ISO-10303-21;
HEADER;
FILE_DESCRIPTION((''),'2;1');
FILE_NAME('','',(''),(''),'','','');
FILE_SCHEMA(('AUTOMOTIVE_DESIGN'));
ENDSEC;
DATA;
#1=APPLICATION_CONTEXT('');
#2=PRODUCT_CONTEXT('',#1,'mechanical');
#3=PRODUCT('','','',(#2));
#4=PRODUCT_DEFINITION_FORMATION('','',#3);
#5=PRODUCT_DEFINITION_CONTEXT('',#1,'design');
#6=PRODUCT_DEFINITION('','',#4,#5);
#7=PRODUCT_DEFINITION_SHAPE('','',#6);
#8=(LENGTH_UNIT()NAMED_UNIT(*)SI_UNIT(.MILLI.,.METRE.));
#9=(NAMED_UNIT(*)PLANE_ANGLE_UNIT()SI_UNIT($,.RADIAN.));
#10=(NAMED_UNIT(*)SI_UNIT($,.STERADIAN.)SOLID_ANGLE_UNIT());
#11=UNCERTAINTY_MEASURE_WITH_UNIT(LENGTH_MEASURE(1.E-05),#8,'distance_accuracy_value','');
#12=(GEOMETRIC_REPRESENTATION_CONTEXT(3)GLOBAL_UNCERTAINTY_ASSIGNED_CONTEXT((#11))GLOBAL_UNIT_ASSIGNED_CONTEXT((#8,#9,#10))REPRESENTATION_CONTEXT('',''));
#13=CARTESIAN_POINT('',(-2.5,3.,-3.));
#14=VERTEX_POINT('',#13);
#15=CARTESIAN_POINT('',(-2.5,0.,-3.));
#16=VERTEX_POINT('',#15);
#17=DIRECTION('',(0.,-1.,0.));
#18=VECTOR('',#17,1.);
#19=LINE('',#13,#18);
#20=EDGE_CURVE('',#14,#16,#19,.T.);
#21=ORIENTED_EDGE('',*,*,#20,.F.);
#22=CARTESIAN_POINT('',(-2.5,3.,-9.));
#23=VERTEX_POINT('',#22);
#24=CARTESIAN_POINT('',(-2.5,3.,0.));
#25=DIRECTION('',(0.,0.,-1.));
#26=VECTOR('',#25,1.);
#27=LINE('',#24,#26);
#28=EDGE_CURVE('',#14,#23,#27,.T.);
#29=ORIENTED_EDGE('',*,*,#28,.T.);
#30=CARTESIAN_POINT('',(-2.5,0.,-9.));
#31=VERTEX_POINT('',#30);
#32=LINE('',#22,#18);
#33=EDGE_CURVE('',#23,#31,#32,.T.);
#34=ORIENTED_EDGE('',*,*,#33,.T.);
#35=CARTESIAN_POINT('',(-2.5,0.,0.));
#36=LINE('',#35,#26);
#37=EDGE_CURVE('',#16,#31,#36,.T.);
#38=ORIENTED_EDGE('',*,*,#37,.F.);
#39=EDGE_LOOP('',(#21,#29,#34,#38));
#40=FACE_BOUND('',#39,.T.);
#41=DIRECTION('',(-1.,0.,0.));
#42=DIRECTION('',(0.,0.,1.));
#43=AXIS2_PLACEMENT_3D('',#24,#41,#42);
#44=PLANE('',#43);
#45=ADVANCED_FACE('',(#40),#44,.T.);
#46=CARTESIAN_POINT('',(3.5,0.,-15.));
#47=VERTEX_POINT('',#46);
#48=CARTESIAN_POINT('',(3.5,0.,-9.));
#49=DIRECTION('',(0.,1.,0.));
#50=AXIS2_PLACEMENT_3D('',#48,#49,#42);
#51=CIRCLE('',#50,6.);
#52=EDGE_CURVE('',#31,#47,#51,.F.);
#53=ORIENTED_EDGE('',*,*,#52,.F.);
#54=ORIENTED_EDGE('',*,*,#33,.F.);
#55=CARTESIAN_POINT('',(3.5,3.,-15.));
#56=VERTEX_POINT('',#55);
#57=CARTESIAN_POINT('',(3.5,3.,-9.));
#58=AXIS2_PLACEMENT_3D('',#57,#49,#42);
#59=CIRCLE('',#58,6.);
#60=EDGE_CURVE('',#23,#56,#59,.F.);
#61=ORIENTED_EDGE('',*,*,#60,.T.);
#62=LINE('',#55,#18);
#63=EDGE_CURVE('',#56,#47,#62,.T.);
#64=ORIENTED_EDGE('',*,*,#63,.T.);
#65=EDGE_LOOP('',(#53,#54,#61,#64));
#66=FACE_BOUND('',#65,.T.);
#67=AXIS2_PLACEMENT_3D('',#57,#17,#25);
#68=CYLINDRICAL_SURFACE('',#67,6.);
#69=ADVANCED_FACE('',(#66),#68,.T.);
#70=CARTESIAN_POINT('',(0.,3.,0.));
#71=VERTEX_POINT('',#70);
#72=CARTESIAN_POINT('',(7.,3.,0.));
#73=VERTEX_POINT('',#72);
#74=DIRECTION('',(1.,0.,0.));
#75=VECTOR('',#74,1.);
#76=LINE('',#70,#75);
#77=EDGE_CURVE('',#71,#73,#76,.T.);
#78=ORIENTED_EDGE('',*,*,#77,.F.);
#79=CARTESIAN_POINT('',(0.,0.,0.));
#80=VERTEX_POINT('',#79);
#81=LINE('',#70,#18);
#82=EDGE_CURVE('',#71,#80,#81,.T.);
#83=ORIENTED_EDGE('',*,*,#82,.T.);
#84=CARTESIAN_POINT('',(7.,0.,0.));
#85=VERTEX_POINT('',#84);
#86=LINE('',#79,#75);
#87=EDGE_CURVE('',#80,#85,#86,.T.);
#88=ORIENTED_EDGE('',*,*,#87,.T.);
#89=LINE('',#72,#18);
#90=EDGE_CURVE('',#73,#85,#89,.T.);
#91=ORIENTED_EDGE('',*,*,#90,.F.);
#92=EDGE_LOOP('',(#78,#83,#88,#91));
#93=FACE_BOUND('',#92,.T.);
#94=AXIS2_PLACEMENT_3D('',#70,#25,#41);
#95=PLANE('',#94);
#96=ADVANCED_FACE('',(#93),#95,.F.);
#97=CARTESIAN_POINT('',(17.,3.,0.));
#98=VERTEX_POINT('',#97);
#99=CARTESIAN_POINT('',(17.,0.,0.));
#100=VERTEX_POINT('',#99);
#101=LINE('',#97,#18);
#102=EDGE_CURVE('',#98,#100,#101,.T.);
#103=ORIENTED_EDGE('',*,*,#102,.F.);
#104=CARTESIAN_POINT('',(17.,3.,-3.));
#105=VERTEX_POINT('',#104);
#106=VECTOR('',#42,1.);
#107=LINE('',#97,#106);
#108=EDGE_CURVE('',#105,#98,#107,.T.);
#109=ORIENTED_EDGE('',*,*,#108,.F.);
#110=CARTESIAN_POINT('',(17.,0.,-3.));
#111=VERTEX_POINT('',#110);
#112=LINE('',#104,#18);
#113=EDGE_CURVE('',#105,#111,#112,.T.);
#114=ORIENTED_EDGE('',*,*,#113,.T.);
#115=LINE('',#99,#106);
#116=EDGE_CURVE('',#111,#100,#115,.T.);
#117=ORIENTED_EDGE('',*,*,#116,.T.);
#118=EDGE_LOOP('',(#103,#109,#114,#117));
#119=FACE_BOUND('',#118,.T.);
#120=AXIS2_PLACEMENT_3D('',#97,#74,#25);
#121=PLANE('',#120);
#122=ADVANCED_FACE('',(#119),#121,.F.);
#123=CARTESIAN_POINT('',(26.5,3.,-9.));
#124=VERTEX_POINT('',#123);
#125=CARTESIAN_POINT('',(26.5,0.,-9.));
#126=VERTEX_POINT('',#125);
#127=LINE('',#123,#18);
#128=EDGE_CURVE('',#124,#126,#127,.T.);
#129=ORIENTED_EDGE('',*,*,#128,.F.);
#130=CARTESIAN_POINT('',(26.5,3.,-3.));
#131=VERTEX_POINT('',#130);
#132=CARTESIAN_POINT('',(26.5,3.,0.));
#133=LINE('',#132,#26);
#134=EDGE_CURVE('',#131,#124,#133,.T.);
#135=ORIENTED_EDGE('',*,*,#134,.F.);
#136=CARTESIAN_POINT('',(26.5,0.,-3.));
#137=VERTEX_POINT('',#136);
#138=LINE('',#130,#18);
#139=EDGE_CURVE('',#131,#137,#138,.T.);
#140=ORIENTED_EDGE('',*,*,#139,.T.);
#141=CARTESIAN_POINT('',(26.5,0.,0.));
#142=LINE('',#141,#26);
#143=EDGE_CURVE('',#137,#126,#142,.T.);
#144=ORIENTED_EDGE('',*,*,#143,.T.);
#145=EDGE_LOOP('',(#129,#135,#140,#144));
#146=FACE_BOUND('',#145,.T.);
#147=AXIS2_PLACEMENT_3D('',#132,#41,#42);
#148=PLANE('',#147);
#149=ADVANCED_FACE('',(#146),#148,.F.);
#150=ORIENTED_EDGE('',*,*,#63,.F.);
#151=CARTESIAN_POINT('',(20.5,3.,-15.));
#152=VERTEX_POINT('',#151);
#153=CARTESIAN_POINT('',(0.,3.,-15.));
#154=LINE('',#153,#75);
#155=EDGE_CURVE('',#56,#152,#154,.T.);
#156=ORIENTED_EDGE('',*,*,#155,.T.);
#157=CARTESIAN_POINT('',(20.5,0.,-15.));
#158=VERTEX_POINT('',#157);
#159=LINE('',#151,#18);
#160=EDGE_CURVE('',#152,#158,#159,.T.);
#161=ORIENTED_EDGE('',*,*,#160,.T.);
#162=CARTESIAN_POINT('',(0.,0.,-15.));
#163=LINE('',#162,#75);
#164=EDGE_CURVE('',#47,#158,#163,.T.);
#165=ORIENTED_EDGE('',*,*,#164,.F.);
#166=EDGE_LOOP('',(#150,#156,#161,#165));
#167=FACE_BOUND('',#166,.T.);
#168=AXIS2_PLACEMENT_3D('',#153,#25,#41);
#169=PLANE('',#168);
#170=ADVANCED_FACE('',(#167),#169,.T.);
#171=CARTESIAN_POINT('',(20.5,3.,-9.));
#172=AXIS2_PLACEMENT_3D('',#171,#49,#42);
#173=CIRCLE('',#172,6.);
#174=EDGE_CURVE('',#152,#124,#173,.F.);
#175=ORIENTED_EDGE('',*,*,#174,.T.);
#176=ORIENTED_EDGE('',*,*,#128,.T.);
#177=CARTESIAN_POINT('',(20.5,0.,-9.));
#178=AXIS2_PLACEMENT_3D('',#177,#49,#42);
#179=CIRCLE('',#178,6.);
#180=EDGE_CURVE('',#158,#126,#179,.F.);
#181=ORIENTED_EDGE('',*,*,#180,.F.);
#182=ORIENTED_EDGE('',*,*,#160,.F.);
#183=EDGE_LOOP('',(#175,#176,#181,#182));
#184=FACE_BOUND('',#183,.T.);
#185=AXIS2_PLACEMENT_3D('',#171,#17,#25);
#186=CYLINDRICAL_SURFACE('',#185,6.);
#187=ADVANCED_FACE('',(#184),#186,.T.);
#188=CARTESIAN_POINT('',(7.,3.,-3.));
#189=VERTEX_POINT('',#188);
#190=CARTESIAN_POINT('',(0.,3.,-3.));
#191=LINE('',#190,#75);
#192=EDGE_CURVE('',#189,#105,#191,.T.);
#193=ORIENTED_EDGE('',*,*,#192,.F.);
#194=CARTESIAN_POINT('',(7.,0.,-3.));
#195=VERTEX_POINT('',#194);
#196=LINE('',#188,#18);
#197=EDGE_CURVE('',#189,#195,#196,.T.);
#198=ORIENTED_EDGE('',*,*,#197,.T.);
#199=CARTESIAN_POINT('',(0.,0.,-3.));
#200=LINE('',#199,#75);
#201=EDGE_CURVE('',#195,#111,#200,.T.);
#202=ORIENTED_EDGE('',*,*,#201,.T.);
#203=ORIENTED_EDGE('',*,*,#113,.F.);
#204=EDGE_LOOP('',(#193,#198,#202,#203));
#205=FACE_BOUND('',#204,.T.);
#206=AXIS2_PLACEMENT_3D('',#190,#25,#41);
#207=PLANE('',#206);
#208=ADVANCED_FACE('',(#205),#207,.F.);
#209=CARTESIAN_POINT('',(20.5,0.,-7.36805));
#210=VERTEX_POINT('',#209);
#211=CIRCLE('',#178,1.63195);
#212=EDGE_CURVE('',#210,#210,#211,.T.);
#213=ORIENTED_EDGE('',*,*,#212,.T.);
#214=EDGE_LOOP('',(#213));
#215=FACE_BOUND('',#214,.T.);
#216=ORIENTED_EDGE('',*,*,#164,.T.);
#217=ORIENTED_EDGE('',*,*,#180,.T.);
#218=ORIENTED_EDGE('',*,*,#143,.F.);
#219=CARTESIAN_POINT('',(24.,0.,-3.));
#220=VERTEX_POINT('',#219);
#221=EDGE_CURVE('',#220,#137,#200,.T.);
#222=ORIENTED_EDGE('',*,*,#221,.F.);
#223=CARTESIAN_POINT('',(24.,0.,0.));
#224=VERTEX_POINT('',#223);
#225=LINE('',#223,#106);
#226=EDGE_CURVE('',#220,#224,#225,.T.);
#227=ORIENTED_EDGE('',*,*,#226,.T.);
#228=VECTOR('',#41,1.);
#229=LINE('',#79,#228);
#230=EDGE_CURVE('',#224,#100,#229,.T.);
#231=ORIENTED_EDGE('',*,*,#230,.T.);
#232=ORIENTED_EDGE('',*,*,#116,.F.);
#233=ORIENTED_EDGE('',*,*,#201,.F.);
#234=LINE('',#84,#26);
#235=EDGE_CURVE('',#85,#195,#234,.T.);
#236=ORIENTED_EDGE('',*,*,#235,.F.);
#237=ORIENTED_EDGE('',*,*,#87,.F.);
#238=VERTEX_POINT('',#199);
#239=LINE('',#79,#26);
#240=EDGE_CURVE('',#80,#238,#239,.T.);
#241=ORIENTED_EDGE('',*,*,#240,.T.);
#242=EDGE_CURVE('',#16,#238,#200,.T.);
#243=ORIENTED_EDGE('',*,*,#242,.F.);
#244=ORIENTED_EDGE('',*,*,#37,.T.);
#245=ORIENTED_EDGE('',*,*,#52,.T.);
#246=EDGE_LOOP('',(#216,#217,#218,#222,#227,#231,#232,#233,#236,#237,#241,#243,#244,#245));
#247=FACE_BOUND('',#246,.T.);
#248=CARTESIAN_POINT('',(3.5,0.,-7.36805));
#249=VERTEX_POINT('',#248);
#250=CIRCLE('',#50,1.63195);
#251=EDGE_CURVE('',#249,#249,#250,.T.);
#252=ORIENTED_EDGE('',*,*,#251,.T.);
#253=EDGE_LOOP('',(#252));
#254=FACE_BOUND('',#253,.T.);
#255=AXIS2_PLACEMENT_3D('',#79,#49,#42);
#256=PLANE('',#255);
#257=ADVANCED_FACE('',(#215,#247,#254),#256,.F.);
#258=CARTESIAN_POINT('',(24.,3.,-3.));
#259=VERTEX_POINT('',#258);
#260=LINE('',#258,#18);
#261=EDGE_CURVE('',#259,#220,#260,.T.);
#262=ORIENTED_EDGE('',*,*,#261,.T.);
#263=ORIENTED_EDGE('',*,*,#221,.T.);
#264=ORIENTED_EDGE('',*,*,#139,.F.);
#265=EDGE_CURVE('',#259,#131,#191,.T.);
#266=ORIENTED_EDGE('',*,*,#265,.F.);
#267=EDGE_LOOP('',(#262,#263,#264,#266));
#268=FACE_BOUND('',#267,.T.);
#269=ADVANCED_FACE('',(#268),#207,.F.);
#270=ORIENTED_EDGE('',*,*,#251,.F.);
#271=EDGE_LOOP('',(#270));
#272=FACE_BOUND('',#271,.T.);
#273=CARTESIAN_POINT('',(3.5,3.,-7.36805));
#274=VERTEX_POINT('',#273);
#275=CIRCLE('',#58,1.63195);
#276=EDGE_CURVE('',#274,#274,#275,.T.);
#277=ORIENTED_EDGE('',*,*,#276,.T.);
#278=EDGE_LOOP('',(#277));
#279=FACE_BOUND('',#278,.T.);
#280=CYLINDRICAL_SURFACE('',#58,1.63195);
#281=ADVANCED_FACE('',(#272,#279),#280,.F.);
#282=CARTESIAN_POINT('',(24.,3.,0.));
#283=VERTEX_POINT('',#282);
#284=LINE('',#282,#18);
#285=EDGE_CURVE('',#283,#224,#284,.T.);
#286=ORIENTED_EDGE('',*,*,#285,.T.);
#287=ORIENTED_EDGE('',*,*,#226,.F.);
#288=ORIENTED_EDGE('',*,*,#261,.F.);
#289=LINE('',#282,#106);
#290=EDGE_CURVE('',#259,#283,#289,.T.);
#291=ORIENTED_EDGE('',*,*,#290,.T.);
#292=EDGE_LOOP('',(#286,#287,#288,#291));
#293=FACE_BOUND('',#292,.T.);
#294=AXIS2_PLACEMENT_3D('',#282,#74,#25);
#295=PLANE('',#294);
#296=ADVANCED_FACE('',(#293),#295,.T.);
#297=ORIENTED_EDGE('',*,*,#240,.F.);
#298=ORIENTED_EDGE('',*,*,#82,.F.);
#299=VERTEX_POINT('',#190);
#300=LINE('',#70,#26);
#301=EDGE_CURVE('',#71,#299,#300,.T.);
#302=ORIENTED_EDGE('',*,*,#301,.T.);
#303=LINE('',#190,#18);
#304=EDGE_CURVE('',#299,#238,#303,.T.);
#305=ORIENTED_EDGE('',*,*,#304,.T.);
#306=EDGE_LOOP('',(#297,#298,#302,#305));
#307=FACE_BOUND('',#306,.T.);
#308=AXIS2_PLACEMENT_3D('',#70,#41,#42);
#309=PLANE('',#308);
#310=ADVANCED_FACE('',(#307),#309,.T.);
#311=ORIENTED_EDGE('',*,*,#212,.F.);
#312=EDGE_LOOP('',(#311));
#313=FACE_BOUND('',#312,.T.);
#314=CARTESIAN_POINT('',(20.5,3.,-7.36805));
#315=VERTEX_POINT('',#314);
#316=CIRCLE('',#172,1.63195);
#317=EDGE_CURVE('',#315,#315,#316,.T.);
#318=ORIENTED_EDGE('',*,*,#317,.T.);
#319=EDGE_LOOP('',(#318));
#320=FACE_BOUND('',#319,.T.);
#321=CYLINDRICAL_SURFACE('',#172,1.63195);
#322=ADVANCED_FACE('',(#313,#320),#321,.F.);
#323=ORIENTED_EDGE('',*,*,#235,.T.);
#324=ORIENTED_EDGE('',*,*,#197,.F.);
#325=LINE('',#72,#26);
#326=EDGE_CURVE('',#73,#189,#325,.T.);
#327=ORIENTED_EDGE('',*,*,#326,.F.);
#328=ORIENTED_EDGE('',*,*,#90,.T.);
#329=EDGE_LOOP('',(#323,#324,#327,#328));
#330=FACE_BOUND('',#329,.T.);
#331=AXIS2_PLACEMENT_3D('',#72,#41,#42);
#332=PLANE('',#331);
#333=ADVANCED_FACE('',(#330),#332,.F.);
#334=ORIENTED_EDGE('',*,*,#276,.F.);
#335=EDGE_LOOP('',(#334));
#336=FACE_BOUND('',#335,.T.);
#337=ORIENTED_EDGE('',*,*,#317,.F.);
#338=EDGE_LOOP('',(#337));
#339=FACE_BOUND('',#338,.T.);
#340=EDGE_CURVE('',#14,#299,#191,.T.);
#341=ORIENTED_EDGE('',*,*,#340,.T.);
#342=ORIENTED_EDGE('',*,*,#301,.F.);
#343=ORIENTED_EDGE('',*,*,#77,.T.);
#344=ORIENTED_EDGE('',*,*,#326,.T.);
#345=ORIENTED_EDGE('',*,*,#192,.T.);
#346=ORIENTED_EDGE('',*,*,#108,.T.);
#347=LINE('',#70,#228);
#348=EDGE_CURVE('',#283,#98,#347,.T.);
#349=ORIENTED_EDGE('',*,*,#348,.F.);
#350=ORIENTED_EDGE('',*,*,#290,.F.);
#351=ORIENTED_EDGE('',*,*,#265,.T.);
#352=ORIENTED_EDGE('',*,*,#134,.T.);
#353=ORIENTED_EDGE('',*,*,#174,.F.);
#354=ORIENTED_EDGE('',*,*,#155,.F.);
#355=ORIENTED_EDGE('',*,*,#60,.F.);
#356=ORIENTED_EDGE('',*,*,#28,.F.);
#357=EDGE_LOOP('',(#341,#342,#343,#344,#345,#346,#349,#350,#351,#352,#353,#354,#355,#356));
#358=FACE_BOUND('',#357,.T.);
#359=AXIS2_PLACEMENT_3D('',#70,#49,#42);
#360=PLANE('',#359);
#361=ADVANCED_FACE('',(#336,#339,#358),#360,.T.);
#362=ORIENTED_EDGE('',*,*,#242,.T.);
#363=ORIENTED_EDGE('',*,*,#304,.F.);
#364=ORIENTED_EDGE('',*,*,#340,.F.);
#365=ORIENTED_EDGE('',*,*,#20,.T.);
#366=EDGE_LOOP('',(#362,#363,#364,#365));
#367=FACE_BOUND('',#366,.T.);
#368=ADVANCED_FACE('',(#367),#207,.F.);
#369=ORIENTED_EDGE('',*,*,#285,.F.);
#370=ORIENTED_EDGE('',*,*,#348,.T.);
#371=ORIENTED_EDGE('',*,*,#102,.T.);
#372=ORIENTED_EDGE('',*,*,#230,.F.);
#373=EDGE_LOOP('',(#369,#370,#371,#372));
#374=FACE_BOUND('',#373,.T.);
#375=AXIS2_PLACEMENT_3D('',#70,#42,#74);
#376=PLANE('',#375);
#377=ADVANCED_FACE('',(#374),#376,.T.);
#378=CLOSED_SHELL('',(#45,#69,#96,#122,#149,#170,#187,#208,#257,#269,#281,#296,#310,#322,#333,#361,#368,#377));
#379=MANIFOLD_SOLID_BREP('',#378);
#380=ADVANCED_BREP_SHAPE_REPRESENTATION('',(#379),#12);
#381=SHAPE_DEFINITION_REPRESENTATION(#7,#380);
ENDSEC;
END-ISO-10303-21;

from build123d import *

# Parameters (mm, degrees)
SKETCH1_W             = 7
SKETCH1_H             = 3
BOSS_EXTRUDE1_DEPTH   = 3
F_4_CLEARANCE_HOLE1_D = 3.2639


with BuildPart() as part:
    # Sketch1 → Boss-Extrude1 (new body)
    with BuildSketch(Plane(origin=(0, 0, 0), x_dir=(1, 0, 0), z_dir=(0, 1, 0))):
        with Locations((3.5, 1.5)):
            Rectangle(SKETCH1_W, SKETCH1_H)
        with BuildLine():
            Line((-2.5, 3), (0, 3))
            Line((0, 3), (7, 3))
            Line((7, 3), (17, 3))
            Line((17, 3), (24, 3))
            Line((24, 3), (26.5, 3))
            Line((26.5, 3), (26.5, 9))
            ThreePointArc((26.5, 9), (24.742640687, 13.242640687), (20.5, 15))
            Line((20.5, 15), (3.5, 15))
            ThreePointArc((3.5, 15), (-0.742640687, 13.242640687), (-2.5, 9))
            Line((-2.5, 9), (-2.5, 3))
        make_face()
        with Locations((20.5, 1.5)):
            Rectangle(SKETCH1_W, SKETCH1_H)
    extrude(amount=BOSS_EXTRUDE1_DEPTH)

    # #4 Clearance Hole1 (through all)
    with Locations(Plane(origin=(0, 3, 0), x_dir=(1, 0, 0), z_dir=(0, 1, 0))):
        with Locations((3.5, 9), (20.5, 9)):
            Hole(F_4_CLEARANCE_HOLE1_D / 2)


solid = part.part
